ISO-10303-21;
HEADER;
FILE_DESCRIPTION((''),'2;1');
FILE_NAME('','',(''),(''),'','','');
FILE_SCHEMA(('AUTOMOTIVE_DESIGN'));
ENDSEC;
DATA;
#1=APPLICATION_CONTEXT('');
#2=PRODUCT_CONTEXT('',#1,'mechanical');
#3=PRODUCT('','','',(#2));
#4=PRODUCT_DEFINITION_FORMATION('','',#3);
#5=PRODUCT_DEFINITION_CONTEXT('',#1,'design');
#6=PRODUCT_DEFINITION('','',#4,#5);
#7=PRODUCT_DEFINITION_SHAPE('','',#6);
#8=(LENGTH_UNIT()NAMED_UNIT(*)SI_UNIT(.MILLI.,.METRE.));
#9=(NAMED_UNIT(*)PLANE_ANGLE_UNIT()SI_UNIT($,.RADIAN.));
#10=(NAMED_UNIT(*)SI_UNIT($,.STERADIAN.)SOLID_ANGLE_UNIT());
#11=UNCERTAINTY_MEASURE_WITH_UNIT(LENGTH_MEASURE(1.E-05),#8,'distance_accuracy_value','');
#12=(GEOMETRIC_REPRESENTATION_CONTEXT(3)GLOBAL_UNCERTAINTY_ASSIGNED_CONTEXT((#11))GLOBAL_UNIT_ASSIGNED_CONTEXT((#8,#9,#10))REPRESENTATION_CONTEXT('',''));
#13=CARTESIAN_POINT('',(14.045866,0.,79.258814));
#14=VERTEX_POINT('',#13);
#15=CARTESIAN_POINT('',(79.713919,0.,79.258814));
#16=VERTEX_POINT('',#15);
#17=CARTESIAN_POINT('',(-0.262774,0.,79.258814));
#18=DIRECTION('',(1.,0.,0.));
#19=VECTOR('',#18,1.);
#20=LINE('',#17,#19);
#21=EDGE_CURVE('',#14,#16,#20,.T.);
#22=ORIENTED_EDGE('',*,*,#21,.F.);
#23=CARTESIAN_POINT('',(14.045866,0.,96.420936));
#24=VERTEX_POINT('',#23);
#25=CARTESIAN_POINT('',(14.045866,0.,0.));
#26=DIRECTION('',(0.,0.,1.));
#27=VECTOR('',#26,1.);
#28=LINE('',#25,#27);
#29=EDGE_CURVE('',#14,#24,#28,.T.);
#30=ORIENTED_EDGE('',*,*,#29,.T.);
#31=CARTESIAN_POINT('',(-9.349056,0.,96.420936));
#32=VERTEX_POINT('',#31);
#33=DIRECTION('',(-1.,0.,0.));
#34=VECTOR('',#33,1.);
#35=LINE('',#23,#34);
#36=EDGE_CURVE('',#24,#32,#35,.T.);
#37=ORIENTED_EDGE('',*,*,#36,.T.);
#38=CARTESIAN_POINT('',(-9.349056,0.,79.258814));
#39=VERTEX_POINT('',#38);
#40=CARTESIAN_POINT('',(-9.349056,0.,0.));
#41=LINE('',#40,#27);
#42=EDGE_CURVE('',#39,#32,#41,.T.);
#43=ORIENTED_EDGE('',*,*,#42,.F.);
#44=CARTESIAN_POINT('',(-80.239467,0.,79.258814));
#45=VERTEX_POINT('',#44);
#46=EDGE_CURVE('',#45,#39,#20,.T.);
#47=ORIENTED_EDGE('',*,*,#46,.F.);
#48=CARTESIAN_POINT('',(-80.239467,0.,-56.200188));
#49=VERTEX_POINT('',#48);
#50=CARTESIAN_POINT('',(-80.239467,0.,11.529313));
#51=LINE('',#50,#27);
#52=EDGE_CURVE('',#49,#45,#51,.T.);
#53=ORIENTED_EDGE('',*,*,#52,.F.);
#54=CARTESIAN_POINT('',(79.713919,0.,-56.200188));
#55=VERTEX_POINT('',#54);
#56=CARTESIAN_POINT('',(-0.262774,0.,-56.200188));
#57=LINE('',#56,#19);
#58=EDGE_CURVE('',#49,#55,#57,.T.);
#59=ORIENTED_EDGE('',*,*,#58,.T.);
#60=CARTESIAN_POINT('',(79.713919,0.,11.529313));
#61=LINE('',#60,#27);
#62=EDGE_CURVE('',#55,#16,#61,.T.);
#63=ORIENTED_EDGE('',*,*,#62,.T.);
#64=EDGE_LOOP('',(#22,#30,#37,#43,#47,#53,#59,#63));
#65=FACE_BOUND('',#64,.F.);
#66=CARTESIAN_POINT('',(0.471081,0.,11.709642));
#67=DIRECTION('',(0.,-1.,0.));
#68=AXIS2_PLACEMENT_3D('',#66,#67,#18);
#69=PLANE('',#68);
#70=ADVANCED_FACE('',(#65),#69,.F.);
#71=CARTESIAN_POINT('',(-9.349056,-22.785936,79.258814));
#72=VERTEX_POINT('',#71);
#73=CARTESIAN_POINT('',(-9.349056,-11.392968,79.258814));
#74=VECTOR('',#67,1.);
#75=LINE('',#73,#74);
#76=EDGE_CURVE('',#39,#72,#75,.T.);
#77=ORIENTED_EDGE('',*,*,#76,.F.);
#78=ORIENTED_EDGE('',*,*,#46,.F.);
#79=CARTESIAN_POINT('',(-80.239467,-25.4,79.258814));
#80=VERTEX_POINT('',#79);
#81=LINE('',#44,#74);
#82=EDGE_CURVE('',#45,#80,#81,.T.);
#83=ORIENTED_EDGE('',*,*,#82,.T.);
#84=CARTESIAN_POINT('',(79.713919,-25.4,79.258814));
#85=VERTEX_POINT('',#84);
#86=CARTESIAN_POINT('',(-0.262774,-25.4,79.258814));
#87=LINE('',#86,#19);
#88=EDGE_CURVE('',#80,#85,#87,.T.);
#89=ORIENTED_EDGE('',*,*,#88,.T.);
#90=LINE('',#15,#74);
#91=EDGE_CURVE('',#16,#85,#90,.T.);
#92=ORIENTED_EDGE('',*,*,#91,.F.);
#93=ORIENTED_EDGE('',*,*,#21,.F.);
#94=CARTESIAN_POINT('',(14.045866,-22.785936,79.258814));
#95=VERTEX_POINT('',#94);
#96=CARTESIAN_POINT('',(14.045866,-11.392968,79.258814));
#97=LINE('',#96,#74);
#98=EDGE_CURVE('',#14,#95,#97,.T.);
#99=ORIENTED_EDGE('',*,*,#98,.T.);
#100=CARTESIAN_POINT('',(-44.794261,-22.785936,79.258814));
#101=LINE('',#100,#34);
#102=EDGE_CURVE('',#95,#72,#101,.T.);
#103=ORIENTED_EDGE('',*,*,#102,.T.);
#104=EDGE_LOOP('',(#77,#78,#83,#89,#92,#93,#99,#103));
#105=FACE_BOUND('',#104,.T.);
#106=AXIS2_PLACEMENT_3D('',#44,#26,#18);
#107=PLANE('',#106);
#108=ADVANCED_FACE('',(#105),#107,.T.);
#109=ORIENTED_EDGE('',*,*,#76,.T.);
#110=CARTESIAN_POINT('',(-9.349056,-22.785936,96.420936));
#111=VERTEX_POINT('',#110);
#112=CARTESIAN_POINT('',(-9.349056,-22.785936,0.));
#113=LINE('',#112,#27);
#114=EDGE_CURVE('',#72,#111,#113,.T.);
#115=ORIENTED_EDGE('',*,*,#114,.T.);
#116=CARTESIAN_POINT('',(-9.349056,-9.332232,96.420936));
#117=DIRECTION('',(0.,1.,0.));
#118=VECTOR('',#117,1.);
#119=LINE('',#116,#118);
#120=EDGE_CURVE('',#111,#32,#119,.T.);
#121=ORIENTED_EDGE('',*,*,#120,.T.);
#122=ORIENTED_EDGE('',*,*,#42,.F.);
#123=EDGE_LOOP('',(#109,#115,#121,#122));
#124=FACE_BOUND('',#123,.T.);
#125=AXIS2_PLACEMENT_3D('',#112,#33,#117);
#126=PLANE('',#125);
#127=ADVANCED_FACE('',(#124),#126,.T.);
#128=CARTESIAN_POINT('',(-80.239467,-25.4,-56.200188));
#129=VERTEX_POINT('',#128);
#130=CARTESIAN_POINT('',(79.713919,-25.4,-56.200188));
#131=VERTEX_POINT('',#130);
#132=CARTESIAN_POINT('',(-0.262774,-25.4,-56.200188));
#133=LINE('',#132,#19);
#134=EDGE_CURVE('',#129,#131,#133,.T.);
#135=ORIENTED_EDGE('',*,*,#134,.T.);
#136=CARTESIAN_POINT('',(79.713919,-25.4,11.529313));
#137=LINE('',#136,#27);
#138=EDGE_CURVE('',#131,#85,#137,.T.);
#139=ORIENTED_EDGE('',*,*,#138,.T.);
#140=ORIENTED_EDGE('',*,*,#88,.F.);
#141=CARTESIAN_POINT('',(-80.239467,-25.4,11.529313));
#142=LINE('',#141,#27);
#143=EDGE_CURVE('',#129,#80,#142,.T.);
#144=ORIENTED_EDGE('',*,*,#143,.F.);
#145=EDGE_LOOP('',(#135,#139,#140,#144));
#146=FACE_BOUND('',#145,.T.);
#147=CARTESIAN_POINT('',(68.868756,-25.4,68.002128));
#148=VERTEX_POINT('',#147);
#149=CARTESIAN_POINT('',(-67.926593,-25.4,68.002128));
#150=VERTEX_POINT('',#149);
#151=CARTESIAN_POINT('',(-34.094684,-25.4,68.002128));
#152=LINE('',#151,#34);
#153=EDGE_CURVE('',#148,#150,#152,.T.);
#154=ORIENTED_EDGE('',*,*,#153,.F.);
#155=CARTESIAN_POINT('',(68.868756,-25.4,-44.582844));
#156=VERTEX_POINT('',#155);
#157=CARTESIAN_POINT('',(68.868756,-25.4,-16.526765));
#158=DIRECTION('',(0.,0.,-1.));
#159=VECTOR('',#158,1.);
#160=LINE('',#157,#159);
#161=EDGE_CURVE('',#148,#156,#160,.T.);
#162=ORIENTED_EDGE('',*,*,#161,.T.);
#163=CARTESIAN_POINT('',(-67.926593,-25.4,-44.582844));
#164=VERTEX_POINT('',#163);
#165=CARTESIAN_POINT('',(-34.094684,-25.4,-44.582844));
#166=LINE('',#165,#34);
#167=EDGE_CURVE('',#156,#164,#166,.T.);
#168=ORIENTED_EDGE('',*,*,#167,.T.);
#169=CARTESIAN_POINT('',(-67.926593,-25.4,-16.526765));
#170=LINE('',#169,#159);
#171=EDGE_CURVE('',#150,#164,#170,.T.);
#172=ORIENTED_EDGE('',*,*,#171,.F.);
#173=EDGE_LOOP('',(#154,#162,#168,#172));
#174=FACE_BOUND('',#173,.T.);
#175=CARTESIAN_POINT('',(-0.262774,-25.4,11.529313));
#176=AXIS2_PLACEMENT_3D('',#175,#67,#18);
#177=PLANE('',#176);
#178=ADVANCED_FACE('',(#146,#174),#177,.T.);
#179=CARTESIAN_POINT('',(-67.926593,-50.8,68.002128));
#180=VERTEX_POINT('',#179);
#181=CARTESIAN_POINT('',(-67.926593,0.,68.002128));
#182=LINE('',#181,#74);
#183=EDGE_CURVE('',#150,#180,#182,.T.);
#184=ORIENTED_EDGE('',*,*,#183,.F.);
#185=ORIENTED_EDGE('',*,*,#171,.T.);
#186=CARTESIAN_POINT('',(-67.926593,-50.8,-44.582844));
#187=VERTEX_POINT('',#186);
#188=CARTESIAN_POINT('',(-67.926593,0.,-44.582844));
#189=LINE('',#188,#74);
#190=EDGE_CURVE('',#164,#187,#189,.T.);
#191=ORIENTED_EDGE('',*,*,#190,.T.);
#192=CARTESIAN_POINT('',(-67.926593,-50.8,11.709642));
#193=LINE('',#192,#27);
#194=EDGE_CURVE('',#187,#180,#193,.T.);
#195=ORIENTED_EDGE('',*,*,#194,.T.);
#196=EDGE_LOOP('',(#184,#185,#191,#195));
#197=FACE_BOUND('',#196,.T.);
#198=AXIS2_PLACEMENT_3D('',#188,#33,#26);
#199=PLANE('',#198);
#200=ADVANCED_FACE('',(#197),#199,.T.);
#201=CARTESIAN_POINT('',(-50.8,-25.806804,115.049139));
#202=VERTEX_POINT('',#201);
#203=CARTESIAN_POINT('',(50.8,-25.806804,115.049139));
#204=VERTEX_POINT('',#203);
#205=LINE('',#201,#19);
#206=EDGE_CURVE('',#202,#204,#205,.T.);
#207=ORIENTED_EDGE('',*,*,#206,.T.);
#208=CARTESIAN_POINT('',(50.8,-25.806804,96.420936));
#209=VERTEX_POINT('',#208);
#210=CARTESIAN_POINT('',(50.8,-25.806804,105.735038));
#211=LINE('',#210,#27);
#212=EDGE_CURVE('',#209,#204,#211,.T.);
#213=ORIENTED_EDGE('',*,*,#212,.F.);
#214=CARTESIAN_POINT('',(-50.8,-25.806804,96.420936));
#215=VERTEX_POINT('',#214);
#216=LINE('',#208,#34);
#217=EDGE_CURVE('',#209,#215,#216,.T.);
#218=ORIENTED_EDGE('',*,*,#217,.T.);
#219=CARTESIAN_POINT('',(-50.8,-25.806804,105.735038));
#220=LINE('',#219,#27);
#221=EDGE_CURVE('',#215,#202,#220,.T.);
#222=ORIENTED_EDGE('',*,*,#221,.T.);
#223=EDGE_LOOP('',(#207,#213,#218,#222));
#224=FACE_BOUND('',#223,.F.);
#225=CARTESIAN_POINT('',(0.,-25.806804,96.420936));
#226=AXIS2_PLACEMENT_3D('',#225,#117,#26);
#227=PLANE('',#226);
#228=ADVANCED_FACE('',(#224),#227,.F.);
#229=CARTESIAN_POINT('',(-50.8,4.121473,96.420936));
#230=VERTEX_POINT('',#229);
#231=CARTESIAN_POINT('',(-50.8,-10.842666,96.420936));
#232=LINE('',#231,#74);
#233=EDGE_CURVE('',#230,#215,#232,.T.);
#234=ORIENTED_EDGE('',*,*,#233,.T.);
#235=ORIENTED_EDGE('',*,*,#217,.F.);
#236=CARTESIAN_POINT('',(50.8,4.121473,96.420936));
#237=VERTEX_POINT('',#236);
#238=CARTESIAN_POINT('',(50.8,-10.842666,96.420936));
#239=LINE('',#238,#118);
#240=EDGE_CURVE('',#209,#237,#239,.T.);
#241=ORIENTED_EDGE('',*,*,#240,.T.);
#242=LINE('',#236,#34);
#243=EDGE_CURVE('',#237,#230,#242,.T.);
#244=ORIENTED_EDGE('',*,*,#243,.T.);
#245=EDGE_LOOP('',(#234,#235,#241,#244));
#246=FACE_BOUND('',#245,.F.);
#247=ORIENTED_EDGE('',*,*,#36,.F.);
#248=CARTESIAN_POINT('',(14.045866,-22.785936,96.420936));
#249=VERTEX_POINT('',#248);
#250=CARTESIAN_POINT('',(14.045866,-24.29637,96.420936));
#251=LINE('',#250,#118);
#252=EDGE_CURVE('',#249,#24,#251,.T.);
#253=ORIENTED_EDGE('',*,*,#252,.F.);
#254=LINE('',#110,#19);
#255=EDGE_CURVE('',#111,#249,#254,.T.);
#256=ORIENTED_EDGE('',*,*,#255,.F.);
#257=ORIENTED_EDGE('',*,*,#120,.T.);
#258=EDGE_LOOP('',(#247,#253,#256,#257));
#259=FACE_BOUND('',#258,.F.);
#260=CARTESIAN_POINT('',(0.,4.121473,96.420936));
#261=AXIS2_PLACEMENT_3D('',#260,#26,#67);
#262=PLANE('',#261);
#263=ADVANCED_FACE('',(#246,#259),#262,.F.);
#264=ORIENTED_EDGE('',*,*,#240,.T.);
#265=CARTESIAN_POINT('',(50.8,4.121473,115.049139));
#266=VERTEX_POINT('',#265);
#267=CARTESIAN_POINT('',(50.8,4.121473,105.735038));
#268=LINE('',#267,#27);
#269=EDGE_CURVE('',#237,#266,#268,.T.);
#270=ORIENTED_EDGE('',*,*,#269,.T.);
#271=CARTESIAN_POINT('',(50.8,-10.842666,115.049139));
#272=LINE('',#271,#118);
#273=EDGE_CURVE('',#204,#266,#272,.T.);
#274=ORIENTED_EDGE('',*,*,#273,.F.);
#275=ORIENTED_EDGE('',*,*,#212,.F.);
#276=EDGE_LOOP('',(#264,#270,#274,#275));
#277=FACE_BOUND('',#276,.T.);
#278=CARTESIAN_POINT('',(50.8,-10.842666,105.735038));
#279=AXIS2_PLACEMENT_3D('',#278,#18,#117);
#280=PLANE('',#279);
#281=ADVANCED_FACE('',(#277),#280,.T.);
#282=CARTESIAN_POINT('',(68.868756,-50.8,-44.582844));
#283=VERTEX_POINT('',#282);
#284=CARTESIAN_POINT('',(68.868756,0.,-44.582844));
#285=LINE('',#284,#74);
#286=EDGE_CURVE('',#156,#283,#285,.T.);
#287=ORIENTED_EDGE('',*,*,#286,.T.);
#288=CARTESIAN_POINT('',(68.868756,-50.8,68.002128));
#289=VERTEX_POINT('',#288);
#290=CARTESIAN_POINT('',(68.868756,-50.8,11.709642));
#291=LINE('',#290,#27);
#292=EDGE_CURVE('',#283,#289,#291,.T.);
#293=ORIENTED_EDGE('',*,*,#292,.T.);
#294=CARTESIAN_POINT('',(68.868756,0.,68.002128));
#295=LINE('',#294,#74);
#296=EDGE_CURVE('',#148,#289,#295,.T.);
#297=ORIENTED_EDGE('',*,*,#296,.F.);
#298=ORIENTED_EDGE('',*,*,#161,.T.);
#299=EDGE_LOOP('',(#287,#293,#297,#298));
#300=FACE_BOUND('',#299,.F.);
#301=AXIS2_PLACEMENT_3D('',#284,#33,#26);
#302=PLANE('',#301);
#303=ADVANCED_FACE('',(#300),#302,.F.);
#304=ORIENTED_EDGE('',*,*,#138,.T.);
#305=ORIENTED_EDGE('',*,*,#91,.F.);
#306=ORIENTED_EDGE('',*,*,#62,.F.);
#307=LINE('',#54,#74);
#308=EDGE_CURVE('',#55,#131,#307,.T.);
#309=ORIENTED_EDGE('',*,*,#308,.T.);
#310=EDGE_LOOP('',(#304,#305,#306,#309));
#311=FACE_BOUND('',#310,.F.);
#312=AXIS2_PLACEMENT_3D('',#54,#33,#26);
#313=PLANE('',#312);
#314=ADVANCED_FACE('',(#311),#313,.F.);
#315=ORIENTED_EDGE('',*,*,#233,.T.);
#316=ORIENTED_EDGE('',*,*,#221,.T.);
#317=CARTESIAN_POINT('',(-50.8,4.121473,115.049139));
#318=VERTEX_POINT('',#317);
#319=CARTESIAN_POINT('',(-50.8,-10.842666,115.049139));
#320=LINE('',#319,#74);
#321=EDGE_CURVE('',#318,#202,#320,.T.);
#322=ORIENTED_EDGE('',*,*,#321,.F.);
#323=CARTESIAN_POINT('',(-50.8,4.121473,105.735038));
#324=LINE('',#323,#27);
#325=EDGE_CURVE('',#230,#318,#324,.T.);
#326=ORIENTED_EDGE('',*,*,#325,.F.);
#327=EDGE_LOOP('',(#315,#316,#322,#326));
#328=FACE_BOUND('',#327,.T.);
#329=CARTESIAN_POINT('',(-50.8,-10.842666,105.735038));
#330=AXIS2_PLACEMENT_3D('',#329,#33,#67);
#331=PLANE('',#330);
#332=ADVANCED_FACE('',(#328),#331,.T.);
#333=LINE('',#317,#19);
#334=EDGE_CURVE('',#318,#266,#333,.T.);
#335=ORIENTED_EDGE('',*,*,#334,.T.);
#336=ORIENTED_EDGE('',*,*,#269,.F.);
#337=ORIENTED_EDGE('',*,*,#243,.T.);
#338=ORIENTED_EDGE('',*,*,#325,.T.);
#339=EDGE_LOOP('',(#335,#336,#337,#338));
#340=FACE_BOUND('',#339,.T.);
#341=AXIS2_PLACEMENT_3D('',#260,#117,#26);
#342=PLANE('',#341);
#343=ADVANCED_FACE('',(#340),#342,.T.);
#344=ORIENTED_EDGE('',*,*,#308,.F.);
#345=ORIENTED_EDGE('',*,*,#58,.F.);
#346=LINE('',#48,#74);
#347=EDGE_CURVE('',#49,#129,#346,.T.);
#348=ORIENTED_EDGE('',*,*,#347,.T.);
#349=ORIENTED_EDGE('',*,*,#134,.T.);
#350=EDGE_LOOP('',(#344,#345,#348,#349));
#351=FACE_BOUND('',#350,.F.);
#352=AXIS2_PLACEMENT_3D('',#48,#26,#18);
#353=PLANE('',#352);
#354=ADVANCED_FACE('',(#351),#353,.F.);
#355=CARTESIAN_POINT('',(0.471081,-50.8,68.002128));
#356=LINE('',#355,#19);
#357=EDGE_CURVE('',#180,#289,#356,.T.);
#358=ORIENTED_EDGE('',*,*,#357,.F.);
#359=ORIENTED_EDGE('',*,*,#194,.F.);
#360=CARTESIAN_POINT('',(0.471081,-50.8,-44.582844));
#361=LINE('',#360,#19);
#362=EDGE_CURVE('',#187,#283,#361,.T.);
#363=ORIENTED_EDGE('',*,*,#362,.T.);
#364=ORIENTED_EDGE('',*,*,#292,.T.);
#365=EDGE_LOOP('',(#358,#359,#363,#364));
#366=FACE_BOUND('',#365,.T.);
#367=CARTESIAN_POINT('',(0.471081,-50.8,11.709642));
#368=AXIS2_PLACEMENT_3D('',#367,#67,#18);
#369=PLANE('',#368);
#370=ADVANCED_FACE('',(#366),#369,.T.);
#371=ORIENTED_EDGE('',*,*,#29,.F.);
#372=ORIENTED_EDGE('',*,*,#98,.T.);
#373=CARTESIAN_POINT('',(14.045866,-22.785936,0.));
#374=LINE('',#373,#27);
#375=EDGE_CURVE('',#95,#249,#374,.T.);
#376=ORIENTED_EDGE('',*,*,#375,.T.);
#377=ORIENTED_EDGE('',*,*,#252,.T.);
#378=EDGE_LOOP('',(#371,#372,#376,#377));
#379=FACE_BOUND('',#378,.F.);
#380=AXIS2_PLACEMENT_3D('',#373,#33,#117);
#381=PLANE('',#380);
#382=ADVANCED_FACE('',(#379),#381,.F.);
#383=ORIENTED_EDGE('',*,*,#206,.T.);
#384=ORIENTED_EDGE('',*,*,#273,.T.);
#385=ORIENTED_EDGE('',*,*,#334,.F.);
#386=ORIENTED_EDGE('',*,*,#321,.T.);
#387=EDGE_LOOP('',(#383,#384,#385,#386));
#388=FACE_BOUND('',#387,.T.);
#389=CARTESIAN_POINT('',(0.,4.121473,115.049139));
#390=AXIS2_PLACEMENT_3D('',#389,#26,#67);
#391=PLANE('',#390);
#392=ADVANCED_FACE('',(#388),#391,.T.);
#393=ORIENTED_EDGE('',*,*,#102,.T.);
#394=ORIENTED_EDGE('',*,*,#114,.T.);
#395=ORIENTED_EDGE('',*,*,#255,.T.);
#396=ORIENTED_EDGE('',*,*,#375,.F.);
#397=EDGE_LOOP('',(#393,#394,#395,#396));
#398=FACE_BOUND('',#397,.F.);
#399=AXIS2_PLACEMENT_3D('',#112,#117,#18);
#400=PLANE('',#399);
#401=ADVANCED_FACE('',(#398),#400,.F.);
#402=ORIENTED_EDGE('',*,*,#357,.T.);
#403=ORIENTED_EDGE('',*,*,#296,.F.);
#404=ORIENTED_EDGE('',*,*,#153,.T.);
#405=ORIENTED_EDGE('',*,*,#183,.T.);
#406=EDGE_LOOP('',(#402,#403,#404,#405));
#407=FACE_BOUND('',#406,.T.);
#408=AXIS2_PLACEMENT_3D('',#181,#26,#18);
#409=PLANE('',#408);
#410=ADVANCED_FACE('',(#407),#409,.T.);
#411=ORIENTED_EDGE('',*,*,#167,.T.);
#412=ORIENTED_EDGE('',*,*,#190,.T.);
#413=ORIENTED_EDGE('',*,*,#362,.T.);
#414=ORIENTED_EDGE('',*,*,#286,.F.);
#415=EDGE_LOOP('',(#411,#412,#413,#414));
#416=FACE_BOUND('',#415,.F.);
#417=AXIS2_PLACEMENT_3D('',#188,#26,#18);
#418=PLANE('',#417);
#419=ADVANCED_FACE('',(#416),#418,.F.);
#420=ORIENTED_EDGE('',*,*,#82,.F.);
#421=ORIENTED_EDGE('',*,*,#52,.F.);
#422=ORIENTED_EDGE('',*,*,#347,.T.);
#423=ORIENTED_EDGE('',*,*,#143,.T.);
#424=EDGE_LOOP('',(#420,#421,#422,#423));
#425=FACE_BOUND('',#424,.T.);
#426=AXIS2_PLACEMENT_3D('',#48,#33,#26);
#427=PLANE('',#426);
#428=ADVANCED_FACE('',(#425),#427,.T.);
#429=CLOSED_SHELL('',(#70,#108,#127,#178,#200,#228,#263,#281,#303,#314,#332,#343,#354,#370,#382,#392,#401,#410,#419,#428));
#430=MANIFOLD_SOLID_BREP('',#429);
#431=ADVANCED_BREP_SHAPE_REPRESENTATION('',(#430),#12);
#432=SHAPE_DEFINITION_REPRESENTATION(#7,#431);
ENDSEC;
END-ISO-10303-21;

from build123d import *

# Parameters (mm, degrees)
F0_W     = 159.953385
F0_H     = 135.459002
F1_DEPTH = 25.4
F2_W     = 23.394922
F2_H     = 22.785936
F3_DEPTH = 101.6
F4_W     = 29.928277
F4_H     = 18.628203
F5_DEPTH = 50.8
F6_W     = 136.795349
F6_H     = 112.584971
F7_DEPTH = 50.8
F8_W     = 29.928277
F8_H     = 18.628203
F9_DEPTH = 50.8


with BuildPart() as f1:
    # F0 (on Front) → F1 (new body)
    with BuildSketch(Plane.XZ):
        with Locations((-0.262774, 11.529313)):
            Rectangle(F0_W, F0_H)
    extrude(amount=F1_DEPTH)

    # F2 (on Top) → F3 (join)
    with BuildSketch(Plane.XY):
        with Locations((2.348405, -11.392968)):
            Rectangle(F2_W, F2_H)
    extrude(amount=F3_DEPTH)

    # F4 (on Right) → F5 (join)
    with BuildSketch(Plane.YZ):
        with Locations((-10.842666, 105.735038)):
            Rectangle(F4_W, F4_H)
    extrude(amount=F5_DEPTH)

    # F6 (on Front) → F7 (join)
    with BuildSketch(Plane.XZ):
        with Locations((0.471081, 11.709642)):
            Rectangle(F6_W, F6_H)
    extrude(amount=F7_DEPTH)

    # F8 (on face) → F9 (join)
    with BuildSketch(Plane(origin=(0, 0, 0), x_dir=(0, -1, 0), z_dir=(-1, 0, 0))):
        with Locations((10.842666, 105.735038)):
            Rectangle(F8_W, F8_H)
    extrude(amount=F9_DEPTH)


solid = f1.part
